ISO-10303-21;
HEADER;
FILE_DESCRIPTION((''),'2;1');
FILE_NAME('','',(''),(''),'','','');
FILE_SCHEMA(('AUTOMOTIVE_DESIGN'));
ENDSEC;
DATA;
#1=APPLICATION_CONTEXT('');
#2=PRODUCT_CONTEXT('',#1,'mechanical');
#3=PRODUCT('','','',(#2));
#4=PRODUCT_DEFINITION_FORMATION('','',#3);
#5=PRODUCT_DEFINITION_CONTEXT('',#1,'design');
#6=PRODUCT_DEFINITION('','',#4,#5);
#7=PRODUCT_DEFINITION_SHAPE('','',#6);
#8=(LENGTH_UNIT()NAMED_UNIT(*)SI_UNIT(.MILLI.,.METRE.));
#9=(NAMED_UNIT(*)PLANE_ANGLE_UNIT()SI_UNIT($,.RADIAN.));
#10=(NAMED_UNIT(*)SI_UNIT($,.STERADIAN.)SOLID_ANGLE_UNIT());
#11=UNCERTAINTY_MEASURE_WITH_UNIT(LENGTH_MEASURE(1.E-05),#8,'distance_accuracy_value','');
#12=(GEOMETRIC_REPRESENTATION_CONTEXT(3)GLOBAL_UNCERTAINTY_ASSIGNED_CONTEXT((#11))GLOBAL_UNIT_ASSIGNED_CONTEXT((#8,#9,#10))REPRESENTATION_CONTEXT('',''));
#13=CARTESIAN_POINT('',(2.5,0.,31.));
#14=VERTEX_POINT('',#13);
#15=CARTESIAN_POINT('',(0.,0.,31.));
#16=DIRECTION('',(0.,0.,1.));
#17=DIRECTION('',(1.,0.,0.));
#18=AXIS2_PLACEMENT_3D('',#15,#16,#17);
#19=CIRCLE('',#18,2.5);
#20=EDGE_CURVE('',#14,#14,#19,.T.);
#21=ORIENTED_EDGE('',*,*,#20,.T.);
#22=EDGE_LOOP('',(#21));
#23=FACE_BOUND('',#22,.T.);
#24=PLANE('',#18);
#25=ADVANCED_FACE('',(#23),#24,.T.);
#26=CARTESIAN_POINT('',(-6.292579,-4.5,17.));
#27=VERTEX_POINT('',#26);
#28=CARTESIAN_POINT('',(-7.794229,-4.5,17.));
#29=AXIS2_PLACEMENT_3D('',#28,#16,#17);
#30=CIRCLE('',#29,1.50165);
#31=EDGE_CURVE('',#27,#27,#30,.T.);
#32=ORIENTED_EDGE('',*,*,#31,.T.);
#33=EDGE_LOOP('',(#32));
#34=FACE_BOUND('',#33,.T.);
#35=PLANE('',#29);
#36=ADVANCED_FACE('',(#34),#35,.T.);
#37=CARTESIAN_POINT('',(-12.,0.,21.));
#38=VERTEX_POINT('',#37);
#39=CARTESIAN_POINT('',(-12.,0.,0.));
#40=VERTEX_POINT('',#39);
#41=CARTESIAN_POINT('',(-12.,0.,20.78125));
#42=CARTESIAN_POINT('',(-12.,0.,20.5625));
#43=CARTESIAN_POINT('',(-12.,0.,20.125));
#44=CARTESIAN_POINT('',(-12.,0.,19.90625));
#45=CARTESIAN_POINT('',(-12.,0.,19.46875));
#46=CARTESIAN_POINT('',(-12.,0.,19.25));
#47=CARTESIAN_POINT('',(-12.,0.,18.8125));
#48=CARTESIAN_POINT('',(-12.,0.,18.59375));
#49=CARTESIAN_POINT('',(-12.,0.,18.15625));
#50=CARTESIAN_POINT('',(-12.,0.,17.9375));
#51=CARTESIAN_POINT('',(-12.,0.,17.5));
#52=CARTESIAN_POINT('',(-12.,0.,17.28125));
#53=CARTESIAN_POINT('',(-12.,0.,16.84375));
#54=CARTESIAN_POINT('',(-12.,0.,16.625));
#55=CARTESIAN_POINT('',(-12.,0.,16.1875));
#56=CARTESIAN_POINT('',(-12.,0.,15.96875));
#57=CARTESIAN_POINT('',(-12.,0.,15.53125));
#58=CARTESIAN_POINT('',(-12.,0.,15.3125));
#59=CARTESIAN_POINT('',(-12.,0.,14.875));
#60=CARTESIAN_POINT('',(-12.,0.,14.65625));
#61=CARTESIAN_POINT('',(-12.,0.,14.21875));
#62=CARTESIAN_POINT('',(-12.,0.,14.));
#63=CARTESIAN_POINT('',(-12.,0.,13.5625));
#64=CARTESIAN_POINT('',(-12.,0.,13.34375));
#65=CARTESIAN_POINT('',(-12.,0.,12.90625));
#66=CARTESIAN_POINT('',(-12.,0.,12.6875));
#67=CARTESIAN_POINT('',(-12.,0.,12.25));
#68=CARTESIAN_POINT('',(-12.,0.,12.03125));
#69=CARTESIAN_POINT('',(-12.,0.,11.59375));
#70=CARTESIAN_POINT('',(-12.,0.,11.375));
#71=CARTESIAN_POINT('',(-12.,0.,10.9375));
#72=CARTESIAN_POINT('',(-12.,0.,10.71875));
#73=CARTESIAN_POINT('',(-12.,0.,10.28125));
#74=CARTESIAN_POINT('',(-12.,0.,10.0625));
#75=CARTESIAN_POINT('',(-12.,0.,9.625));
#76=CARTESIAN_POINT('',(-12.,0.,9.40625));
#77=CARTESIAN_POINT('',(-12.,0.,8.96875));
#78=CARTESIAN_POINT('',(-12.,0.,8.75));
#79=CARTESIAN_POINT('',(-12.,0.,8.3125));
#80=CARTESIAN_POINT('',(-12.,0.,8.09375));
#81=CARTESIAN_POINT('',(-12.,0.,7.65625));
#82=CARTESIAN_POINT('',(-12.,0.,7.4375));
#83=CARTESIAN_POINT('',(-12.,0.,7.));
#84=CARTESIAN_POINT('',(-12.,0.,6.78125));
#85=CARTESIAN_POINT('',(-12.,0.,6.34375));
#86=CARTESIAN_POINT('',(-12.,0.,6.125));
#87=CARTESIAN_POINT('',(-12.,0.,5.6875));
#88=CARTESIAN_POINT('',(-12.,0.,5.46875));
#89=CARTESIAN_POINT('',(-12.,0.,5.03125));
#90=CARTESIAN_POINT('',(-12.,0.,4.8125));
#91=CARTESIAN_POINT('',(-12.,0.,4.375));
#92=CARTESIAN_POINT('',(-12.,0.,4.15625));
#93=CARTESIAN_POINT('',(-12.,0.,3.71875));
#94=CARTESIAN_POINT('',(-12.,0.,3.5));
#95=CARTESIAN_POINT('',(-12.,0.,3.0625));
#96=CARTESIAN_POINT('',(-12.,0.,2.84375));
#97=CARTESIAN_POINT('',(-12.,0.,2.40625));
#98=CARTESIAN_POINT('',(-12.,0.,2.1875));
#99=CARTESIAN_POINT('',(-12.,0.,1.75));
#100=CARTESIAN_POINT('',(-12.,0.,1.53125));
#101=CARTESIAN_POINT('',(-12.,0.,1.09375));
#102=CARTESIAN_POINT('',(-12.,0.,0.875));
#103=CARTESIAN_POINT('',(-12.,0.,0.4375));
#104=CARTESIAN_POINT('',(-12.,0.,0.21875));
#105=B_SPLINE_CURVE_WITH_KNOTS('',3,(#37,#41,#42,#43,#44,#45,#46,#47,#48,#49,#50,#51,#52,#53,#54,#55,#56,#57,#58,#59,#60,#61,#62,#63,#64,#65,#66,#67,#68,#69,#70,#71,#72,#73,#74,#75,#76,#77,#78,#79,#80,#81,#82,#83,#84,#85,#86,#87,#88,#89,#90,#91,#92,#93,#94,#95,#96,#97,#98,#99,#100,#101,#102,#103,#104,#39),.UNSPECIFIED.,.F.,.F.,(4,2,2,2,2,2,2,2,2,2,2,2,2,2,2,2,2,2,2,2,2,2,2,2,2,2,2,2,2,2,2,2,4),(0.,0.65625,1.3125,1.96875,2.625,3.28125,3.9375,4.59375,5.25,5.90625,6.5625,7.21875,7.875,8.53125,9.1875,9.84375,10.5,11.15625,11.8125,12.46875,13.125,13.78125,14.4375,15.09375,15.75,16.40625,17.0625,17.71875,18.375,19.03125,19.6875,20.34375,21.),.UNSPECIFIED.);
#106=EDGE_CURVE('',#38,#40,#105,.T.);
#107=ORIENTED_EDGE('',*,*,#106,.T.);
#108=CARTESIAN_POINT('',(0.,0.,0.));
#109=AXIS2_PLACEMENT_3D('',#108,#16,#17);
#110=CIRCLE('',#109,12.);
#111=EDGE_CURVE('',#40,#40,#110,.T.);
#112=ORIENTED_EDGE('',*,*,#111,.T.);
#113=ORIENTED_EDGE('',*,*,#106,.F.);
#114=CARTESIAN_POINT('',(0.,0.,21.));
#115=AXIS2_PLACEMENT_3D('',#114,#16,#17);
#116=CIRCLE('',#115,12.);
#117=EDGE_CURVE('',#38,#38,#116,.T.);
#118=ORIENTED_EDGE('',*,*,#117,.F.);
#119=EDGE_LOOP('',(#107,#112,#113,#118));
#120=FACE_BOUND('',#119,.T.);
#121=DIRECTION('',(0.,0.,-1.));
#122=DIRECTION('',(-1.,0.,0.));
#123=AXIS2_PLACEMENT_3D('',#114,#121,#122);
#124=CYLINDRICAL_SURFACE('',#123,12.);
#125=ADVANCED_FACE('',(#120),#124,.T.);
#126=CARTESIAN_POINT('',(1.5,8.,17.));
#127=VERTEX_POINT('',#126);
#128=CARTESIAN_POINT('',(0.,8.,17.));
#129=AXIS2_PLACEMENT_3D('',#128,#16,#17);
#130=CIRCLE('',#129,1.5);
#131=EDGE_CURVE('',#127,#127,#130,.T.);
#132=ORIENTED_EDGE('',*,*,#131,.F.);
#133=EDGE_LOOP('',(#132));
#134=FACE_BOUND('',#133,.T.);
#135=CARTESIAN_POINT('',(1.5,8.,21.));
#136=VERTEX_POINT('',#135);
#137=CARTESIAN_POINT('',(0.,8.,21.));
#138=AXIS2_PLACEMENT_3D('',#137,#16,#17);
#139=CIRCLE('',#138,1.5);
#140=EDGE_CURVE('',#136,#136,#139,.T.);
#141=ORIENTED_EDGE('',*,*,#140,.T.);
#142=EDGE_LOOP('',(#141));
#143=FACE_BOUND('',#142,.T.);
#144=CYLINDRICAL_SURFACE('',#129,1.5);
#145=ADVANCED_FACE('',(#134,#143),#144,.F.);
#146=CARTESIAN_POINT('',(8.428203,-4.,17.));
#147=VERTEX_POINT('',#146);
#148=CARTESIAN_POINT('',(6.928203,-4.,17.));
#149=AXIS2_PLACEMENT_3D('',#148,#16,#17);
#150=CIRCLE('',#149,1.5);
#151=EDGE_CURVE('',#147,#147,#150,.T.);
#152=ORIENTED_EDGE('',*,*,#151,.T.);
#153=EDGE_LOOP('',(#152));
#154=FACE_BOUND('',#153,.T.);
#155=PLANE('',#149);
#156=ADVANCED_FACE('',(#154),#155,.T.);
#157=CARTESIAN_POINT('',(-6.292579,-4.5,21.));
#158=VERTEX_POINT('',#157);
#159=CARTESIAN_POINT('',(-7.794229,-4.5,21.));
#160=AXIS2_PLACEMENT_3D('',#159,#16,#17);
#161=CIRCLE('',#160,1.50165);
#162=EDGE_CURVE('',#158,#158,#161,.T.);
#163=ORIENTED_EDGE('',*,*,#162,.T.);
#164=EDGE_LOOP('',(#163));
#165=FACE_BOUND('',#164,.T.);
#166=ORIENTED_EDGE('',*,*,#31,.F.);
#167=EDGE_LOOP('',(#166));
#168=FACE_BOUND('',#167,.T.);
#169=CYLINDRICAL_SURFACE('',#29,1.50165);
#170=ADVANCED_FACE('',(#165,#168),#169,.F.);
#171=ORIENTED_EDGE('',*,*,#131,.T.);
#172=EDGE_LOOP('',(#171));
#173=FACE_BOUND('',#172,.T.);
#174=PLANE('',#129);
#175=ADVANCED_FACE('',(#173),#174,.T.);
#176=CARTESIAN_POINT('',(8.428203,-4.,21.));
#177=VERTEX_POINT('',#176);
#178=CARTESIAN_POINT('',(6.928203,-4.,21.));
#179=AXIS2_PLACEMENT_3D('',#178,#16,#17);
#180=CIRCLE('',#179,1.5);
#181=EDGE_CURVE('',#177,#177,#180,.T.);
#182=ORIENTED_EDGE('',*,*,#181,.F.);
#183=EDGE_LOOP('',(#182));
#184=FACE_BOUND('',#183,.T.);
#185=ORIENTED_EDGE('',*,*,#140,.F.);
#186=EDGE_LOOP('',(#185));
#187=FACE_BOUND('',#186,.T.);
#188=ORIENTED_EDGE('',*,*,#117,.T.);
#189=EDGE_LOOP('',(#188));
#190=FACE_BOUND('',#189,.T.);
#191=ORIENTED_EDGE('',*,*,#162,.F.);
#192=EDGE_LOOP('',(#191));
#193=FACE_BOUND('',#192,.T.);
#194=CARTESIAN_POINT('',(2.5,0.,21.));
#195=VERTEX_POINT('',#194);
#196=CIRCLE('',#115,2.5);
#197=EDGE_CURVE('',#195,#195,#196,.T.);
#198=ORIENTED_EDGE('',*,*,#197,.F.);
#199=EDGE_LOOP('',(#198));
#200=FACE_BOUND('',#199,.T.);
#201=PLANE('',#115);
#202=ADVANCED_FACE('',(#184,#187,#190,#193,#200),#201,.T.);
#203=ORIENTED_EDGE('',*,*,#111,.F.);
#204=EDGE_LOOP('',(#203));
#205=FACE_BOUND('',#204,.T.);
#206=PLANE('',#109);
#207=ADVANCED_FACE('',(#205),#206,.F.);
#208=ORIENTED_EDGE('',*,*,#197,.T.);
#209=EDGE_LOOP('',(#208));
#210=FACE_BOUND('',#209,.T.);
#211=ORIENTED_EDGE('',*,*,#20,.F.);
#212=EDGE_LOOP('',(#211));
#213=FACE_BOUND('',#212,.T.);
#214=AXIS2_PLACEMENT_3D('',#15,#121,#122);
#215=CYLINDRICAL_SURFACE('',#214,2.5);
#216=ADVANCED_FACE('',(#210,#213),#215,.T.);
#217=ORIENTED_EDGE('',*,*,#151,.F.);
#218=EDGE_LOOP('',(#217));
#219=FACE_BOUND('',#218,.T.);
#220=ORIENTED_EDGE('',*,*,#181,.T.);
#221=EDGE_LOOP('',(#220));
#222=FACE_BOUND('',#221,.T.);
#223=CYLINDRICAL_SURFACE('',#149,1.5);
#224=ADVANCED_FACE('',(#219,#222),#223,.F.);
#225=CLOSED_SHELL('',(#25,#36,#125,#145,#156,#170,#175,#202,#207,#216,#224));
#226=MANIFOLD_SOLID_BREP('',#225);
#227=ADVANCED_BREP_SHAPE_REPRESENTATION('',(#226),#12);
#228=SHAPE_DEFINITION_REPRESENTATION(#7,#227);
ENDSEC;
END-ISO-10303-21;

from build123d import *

# Parameters (mm, degrees)
ESQUISSE1_R             = 12
BOSS_EXTRU_1_DEPTH      = 21
ESQUISSE2_R             = 2.5
BOSS_EXTRU_2_DEPTH      = 10
ESQUISSE3_R             = 1.5
ESQUISSE3_R_2           = 1.501649619
ENL_V_MAT_EXTRU_1_DEPTH = 4


with BuildPart() as part:
    # Esquisse1 → Boss.-Extru.1 (new body)
    with BuildSketch(Plane.XY):
        with Locations(Location((0, 0, 0), (0, 0, 180))):
            Circle(ESQUISSE1_R)
    extrude(amount=BOSS_EXTRU_1_DEPTH)

    # Esquisse2 → Boss.-Extru.2 (add)
    with BuildSketch(Plane.XY.offset(21)):
        Circle(ESQUISSE2_R)
    extrude(amount=BOSS_EXTRU_2_DEPTH)

    # Esquisse3 → Enlèv. mat.-Extru.1 (cut)
    with BuildSketch(Plane.XY.offset(21)):
        with Locations((0, 8)):
            Circle(ESQUISSE3_R)
        with Locations((-7.794228634, -4.5)):
            Circle(ESQUISSE3_R_2)
        with Locations((6.92820323, -4)):
            Circle(ESQUISSE3_R)
    extrude(amount=-ENL_V_MAT_EXTRU_1_DEPTH, mode=Mode.SUBTRACT)


solid = part.part
